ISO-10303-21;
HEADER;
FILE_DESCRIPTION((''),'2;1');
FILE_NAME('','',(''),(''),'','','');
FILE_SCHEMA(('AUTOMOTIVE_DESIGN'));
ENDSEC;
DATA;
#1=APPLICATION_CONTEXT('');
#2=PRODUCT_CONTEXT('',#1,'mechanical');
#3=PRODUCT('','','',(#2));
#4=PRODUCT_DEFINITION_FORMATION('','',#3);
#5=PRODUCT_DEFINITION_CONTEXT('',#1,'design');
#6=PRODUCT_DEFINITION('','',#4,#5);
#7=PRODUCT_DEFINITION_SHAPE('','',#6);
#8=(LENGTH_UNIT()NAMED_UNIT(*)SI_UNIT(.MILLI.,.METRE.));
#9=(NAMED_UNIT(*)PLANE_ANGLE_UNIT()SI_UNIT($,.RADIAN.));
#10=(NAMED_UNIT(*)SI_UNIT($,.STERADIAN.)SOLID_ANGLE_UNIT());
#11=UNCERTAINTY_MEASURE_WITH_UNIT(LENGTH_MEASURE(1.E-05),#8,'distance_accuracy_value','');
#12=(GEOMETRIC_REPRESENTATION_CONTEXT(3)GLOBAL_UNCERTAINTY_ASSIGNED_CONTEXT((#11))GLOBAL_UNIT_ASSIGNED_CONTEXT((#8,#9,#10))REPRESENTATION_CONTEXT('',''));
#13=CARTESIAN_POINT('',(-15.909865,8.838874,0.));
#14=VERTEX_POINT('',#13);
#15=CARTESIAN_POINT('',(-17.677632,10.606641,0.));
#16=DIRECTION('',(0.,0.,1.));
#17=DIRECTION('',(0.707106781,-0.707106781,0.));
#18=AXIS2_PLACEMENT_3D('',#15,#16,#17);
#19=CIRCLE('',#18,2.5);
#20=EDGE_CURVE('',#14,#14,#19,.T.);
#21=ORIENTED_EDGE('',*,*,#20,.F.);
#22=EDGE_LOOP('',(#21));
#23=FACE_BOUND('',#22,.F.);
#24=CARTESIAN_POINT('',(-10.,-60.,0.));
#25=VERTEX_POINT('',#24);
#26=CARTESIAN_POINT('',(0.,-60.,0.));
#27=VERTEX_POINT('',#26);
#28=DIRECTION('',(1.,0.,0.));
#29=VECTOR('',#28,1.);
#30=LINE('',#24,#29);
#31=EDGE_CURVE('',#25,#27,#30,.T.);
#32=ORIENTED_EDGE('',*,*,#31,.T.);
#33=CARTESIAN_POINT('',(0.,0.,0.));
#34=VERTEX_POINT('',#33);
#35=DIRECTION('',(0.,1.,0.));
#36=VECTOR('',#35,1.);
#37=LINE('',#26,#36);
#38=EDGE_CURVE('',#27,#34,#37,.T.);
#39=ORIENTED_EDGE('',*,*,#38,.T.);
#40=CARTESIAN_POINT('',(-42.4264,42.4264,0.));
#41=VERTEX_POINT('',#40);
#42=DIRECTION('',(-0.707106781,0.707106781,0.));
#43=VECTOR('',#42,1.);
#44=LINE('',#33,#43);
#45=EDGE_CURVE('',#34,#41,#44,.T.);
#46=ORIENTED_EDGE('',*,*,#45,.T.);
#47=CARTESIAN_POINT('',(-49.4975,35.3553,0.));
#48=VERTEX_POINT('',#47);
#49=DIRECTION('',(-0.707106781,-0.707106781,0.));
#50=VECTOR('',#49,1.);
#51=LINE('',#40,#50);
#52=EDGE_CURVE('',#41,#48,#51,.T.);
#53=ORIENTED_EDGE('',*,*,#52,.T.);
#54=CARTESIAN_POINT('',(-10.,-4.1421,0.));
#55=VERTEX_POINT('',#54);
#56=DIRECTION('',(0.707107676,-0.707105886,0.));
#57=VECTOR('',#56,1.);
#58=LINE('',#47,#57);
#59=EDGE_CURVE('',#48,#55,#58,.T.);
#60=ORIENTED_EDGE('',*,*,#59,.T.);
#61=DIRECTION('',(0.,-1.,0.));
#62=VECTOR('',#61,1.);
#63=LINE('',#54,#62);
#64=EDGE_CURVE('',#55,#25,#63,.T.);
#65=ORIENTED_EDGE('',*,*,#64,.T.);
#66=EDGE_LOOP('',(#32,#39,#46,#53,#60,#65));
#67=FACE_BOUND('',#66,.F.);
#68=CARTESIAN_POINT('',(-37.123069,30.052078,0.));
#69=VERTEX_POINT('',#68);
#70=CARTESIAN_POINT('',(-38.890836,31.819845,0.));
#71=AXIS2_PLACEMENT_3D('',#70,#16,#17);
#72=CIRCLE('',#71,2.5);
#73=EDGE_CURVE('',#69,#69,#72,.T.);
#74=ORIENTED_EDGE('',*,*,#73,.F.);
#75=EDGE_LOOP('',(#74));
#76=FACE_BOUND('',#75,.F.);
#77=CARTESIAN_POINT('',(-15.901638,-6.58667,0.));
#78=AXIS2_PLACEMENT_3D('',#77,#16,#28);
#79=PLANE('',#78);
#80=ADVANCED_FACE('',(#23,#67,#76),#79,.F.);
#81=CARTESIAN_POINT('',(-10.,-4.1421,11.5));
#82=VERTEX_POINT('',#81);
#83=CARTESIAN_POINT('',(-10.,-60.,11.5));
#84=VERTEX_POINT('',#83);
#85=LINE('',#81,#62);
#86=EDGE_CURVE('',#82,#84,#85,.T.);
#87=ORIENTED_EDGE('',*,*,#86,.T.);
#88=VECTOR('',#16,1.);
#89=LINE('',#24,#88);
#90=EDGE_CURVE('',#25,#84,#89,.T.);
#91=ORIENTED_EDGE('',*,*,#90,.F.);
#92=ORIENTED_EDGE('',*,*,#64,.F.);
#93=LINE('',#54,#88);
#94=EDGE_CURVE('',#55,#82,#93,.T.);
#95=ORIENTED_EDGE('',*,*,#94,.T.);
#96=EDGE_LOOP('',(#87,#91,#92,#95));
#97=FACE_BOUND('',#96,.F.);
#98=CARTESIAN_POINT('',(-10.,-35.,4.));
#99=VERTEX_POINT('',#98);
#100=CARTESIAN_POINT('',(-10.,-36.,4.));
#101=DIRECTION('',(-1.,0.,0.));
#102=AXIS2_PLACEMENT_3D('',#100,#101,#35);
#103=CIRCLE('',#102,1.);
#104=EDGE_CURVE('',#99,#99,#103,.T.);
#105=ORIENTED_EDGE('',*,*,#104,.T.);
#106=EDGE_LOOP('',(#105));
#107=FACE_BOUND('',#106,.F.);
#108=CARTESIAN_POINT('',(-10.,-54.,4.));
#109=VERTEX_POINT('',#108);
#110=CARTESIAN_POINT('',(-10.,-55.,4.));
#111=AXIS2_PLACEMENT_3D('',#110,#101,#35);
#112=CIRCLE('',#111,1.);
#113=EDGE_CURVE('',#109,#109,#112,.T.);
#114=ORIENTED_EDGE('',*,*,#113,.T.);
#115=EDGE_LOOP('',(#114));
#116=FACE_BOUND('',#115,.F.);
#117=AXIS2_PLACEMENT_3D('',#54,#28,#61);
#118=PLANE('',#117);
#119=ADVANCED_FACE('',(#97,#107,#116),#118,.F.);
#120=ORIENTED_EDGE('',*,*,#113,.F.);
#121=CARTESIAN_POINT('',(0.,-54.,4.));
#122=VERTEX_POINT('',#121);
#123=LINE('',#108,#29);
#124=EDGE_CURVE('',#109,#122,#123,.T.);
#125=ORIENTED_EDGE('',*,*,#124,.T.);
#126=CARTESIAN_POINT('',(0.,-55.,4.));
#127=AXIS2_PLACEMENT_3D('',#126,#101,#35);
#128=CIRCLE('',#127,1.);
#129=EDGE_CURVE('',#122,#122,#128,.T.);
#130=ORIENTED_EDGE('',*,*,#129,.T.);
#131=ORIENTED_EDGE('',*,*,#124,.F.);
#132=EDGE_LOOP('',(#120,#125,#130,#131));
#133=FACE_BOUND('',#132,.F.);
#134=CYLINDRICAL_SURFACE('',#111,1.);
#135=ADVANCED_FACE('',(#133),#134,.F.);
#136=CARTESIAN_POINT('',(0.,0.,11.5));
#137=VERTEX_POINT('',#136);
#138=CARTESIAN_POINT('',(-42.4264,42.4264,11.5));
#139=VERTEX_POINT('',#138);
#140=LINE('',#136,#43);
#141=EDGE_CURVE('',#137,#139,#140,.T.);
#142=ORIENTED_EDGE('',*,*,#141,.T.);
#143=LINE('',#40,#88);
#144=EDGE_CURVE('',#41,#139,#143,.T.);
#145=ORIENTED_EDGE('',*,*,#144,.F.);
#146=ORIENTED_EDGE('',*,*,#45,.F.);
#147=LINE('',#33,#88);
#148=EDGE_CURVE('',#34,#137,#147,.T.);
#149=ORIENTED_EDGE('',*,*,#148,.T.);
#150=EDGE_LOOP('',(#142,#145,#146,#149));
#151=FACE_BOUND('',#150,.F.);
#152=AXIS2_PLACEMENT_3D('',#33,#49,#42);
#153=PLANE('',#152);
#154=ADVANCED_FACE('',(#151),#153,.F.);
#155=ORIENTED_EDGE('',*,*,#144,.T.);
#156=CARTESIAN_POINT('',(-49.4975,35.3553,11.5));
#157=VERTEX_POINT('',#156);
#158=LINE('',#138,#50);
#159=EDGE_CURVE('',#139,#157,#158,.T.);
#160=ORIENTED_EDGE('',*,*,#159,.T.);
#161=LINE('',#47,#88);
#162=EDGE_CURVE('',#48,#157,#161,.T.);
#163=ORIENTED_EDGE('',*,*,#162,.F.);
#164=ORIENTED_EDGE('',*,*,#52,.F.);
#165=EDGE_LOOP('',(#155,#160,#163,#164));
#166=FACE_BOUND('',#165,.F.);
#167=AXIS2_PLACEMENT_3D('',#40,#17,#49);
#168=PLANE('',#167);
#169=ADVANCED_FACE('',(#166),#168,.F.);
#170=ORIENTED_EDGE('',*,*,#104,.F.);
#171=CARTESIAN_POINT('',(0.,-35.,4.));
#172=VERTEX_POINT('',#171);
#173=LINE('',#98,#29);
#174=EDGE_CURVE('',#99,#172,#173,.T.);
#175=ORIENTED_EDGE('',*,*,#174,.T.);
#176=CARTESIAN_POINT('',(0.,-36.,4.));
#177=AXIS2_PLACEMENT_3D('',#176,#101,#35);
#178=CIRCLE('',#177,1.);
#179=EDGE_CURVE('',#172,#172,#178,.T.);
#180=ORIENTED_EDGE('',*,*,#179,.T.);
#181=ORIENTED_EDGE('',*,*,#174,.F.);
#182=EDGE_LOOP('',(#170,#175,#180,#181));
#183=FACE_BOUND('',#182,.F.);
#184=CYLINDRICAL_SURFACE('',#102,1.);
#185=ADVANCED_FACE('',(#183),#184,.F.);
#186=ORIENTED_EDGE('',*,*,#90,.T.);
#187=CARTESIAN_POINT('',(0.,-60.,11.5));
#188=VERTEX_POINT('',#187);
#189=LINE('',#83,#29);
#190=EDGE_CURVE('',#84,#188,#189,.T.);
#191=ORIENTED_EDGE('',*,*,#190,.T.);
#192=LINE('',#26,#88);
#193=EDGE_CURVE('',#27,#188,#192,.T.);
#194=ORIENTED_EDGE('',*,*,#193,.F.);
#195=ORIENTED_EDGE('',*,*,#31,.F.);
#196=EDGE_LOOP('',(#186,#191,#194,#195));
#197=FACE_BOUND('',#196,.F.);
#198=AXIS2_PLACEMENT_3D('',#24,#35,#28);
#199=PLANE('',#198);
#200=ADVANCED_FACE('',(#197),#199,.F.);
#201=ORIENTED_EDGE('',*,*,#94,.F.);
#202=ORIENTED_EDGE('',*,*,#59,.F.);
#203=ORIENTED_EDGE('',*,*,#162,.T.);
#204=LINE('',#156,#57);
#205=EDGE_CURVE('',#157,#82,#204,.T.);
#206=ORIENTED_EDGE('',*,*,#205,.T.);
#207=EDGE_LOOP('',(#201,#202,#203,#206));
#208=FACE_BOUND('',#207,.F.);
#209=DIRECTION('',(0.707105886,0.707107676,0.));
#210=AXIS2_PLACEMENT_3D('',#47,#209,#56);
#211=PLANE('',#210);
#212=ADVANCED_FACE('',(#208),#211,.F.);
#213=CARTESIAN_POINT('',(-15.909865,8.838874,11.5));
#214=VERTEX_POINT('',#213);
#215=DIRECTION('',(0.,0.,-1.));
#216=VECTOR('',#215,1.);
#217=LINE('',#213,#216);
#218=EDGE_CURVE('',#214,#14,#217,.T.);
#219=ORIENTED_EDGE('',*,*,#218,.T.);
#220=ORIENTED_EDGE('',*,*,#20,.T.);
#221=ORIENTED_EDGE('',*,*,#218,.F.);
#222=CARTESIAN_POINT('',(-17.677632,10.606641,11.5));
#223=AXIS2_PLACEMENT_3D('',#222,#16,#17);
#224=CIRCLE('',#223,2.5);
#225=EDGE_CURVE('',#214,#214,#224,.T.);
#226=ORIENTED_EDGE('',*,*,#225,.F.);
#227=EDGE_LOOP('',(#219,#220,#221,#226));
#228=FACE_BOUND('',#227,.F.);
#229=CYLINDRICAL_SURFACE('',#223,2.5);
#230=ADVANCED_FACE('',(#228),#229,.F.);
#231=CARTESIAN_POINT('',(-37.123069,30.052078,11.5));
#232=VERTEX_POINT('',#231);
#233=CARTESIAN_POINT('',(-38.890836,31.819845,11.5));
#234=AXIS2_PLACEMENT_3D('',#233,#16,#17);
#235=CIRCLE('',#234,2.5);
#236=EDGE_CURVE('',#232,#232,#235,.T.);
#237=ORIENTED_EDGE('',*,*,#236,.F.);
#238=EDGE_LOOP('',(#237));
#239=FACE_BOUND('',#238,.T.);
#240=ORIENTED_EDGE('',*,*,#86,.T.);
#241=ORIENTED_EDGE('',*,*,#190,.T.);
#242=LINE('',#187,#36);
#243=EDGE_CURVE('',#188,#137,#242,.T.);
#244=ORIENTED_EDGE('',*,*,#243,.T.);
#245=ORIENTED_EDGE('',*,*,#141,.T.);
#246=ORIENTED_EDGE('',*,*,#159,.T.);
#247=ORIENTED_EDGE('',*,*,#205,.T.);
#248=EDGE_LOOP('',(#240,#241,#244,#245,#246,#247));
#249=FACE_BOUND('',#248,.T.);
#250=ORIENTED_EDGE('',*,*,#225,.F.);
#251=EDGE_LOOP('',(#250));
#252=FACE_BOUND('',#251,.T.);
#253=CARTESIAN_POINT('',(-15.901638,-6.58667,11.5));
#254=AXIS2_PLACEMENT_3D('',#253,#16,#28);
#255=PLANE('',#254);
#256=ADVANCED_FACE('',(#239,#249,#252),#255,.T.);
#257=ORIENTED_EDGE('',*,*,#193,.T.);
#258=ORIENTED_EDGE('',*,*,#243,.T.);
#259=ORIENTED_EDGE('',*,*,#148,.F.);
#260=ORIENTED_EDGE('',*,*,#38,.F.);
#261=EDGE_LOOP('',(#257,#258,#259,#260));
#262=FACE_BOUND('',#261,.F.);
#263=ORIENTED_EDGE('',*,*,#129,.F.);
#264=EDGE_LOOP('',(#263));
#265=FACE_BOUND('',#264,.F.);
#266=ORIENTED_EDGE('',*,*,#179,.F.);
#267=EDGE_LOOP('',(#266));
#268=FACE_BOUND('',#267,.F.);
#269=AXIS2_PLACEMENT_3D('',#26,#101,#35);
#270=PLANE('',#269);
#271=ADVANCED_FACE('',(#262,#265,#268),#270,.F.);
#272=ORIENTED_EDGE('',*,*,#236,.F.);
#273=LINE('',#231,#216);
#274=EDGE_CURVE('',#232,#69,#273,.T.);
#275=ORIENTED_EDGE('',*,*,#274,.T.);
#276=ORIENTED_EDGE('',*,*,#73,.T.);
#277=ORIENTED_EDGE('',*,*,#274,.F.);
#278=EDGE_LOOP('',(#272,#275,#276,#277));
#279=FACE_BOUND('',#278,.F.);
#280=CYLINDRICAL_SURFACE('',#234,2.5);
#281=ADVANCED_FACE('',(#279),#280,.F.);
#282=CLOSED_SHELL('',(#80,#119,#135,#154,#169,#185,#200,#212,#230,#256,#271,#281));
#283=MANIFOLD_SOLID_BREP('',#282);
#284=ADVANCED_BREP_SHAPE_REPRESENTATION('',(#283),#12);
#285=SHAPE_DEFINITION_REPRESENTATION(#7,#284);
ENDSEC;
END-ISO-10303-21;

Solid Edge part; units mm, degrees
sketch "Sketch1" plane through (0, 0, 0) normal (0, 0, 1) x (1, 0, 0)
  line L0 (-10, -60) -> (0, -60)
  line L1 (0, -60) -> (0, 0)
  line L2 (0, 0) -> (-42.4264, 42.4264)
  line L3 (-42.4264, 42.4264) -> (-49.4975, 35.3553)
  line L4 (-49.4975, 35.3553) -> (-10, -4.1421)
  line L5 (-10, -4.1421) -> (-10, -60)
  dimension "D1" = 10
  dimension "D2" = 10
  dimension "D3" = 60
  dimension "D4" = 60
extrude "Extrusionsausprägung_3" add sketch "Sketch1" along normal blind 11.5
sketch "Sketch2" plane through (-24.7487, -3.7868, 11.5) normal (0, 0, 1) x (0.7071, -0.7071, 0)
  circle A0 centre (-35.1777, 15.1777) radius 2.5
  circle A1 centre (-5.1777, 15.1777) radius 2.5
  dimension "D1" = 30
  dimension "D2" = 5
  dimension "D3" = 20
extrude "Cutout1" cut sketch "Sketch2" against normal up to next
sketch "Sketch3" plane through (-10, -32.0711, 5) normal (-1, 0, 0) x (0, 1, 0)
  circle A0 centre (-3.9289, 1) radius 1
  circle A1 centre (-22.9289, 1) radius 1
  dimension "D1" = 2
  dimension "D2" = 19
  dimension "D3" = 5
  dimension "D4" = 4
extrude "Cutout2" cut sketch "Sketch3" against normal up to next
properties material "Nylon, allgemein"
